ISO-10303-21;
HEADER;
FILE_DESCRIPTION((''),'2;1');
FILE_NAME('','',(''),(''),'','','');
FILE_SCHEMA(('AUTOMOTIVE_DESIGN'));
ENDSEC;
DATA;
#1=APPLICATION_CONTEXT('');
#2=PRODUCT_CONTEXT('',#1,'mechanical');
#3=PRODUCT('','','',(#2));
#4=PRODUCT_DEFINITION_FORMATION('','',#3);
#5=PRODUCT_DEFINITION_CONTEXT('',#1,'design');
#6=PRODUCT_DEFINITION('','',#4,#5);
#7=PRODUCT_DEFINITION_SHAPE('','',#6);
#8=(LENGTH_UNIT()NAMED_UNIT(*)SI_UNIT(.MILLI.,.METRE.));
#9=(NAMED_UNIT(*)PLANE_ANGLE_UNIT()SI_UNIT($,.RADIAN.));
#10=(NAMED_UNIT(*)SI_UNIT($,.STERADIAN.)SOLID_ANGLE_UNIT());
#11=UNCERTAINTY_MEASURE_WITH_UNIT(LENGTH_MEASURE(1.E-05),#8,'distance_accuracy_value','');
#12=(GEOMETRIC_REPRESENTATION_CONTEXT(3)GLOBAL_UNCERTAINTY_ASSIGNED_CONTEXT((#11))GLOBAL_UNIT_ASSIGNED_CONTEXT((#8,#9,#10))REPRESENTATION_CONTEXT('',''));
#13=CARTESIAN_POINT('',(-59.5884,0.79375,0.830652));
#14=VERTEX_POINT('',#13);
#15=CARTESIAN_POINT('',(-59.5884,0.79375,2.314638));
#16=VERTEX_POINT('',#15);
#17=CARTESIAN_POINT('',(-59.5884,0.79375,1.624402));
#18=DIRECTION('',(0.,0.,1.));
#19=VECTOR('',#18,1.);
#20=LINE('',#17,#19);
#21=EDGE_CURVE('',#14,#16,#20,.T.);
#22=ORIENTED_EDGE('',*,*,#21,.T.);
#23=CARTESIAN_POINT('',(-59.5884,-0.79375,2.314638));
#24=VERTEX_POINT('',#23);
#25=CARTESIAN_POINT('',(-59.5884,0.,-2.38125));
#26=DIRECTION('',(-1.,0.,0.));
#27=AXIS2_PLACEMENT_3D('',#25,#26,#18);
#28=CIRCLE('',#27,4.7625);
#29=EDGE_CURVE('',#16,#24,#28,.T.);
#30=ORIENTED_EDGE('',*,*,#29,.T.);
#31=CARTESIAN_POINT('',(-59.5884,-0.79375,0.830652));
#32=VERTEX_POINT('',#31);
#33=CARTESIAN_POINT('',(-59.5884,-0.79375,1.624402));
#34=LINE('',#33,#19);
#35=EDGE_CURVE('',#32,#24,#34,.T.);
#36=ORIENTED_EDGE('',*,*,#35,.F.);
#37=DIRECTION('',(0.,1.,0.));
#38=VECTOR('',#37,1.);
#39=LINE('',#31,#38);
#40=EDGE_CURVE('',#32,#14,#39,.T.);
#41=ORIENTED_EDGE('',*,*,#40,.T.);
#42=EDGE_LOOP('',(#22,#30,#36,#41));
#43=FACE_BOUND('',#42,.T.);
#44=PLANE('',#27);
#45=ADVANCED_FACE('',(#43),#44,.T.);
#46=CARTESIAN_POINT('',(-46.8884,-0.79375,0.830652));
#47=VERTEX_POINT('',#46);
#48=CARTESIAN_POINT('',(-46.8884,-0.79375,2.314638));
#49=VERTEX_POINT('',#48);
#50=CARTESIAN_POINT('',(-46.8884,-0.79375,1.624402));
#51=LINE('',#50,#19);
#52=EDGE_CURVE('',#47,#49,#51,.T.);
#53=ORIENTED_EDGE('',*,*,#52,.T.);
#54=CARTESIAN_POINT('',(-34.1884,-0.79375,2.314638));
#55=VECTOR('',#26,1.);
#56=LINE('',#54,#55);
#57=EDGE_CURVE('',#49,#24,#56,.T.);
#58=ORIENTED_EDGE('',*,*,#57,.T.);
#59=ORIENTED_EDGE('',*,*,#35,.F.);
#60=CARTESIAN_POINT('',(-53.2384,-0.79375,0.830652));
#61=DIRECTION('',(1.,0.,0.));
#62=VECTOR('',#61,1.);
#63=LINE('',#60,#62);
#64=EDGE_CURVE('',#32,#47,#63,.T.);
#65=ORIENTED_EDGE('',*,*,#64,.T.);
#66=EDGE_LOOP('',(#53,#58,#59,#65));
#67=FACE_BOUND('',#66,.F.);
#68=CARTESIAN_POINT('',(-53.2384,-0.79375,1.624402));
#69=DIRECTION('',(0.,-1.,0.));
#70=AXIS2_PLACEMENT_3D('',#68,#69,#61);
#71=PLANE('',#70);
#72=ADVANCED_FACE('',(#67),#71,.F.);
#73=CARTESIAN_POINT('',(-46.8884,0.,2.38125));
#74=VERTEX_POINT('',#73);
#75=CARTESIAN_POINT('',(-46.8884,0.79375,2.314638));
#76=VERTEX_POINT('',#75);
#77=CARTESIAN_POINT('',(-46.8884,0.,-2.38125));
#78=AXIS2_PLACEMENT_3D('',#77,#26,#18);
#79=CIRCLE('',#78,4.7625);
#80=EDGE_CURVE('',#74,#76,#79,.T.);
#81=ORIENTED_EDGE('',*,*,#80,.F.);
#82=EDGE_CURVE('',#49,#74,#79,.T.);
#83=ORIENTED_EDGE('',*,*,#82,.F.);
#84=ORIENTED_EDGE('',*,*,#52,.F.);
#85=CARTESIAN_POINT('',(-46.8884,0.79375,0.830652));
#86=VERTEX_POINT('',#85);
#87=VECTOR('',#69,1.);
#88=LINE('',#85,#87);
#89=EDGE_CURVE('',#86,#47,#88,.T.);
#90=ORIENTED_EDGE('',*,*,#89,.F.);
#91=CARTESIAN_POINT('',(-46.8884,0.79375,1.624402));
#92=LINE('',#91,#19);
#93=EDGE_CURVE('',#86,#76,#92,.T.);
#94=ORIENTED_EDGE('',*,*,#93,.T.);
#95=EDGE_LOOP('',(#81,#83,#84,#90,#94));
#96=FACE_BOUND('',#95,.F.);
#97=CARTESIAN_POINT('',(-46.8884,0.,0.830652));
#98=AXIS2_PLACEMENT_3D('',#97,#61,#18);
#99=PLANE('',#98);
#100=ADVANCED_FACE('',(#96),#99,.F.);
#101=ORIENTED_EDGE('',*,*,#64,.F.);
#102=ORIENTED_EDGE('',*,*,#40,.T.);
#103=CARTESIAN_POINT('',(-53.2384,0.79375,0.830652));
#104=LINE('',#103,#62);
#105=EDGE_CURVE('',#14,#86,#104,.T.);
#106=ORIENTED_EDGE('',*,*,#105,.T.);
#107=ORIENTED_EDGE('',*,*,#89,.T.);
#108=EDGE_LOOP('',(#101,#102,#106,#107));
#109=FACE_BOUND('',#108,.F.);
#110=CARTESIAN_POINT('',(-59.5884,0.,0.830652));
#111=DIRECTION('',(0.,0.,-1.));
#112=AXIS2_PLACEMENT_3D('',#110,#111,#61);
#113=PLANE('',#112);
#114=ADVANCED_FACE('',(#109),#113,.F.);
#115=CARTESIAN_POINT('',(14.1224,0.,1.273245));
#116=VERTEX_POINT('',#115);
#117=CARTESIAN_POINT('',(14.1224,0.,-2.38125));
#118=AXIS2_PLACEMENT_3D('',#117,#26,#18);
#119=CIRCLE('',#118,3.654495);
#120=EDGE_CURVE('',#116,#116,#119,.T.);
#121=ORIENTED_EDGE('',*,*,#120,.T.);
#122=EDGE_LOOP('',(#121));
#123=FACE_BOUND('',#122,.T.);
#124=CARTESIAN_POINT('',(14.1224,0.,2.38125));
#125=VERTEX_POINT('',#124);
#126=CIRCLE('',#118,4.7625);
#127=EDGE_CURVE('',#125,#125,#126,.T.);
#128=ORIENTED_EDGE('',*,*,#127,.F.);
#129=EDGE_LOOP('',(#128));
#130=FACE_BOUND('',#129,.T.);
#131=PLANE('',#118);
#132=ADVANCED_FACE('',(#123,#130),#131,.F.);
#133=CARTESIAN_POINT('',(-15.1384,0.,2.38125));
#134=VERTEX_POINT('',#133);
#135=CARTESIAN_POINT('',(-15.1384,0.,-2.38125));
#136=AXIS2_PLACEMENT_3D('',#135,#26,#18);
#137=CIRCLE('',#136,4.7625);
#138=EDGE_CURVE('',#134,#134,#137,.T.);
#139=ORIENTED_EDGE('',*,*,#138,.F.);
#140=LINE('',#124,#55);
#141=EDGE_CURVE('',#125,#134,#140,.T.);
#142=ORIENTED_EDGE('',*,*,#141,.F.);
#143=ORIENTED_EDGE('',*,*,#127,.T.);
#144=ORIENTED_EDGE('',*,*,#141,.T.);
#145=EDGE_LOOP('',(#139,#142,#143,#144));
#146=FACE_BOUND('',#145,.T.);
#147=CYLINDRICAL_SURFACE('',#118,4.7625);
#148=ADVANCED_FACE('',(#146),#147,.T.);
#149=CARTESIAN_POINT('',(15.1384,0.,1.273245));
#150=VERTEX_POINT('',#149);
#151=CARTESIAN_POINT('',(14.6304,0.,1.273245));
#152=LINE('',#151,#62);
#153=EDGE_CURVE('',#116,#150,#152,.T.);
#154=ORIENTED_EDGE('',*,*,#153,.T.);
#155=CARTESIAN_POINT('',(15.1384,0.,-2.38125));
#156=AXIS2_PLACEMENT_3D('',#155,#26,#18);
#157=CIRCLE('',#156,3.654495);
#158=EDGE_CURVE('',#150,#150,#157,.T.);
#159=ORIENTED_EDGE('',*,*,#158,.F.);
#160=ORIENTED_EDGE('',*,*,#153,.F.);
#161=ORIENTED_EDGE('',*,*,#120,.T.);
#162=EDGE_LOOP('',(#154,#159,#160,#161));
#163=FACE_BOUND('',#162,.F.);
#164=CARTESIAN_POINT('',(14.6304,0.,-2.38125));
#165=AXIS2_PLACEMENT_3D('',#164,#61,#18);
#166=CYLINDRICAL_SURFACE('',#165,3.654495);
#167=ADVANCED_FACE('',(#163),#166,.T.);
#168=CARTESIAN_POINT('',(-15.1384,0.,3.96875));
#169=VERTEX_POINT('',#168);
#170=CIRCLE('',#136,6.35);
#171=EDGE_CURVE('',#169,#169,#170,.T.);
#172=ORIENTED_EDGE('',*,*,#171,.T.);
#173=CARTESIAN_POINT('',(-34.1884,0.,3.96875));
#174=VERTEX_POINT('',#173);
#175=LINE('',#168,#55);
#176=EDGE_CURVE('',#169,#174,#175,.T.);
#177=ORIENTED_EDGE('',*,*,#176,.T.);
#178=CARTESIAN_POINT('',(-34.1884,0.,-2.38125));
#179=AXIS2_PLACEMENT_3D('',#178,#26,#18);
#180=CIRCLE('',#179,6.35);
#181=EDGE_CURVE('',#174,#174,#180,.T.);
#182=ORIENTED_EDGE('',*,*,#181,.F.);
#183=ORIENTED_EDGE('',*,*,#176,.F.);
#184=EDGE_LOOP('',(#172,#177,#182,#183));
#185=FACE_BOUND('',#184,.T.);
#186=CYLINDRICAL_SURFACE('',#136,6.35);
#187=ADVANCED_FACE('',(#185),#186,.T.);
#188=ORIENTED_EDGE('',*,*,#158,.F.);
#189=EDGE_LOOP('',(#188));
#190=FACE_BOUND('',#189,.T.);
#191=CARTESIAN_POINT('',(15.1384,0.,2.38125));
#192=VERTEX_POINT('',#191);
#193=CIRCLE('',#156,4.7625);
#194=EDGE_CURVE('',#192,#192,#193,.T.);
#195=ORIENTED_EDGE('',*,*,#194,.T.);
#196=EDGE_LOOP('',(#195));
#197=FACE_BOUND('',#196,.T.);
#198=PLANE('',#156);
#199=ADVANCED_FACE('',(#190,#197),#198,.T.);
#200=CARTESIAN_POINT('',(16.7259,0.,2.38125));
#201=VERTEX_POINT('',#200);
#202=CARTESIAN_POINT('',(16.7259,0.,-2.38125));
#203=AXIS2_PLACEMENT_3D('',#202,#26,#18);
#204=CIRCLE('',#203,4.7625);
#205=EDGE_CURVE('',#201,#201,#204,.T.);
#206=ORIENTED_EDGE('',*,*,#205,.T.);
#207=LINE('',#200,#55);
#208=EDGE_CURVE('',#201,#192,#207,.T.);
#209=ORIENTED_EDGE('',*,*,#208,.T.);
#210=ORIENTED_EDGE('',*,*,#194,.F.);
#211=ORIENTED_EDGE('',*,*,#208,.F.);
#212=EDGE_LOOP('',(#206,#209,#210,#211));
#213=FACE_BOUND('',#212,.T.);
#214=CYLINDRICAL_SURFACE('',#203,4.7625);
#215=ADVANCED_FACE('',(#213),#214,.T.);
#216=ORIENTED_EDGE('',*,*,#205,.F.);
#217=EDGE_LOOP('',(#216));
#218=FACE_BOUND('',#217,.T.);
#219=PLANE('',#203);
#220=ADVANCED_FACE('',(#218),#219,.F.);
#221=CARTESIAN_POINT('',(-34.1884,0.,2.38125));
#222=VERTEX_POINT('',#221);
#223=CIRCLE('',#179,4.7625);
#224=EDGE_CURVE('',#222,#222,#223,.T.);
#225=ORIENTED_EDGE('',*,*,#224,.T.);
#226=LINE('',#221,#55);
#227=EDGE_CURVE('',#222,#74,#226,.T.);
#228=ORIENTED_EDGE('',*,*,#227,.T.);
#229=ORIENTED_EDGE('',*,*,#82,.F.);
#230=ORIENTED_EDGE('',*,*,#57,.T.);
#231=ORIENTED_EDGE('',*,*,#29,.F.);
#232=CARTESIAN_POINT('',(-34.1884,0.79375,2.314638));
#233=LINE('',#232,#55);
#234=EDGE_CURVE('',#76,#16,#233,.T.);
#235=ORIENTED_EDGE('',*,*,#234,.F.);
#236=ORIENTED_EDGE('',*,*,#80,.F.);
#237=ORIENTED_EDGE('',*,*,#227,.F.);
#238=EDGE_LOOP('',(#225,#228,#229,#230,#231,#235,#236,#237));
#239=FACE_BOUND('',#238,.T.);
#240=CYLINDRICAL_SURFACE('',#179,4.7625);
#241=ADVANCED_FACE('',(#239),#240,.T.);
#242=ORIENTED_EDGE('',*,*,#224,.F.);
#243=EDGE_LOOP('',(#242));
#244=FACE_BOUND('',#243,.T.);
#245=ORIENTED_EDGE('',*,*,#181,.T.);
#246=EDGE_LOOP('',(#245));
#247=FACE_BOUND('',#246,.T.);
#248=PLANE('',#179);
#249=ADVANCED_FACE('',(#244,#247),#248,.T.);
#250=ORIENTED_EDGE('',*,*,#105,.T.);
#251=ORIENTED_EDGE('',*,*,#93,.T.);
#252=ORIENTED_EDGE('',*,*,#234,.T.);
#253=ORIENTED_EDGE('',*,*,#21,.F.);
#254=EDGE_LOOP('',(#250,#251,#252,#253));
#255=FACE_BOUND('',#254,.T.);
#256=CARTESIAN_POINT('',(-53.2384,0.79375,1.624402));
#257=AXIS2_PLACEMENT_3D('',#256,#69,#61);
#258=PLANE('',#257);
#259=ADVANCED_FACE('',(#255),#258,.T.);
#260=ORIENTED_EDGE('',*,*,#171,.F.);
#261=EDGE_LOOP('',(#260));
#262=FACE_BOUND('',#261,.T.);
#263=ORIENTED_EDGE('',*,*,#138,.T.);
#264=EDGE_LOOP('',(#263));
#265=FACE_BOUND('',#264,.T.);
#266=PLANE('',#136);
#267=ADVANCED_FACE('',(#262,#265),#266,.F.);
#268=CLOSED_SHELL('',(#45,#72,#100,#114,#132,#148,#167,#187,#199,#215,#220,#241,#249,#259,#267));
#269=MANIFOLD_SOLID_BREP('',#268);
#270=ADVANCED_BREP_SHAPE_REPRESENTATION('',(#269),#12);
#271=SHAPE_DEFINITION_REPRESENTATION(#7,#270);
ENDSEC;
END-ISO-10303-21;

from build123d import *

# Parameters (mm, degrees)
F0_W          = 6.35
F0_H          = 4.7625
F0_W_2        = 4.5974
F0_W_3        = 1.016
F0_H_2        = 3.6544946585
F2_W          = 12.7
F2_H          = 1.5875
F3_DEPTH      = 0.79375
F3_DEPTH_BACK = 0.79375


with BuildPart() as f1:
    # F0 (on Front) → F1 (revolve)
    with BuildSketch(Plane.XZ):
        Rectangle(F0_W, F0_H)
        with Locations((5.4737, 0)):
            Rectangle(F0_W_2, F0_H)
        with Locations((-5.4737, 0)):
            Rectangle(F0_W_2, F0_H)
        Polygon((14.1224, 2.38125), (7.7724, 2.38125), (7.7724, -2.38125), (14.1224, -2.38125), (14.1224, 1.2732446585), align=None)
        with Locations((-10.9474, 0)):
            Rectangle(F0_W, F0_H)
        with Locations((-14.6304, 0)):
            Rectangle(F0_W_3, F0_H)
        with Locations((14.6304, -0.5540026708)):
            Rectangle(F0_W_3, F0_H_2)
        Polygon((-15.1384, -2.38125), (-15.1384, 2.38125), (-15.1384, 3.96875), (-34.1884, 3.96875), (-34.1884, 2.38125), (-34.1884, -0.79375), (-34.1884, -2.38125), align=None)
        Polygon((15.1384, 1.2732446585), (15.1384, -2.38125), (16.7259, -2.38125), (16.7259, 2.38125), (15.1384, 2.38125), align=None)
        Polygon((-59.5884, -2.38125), (-34.1884, -2.38125), (-34.1884, -0.79375), (-34.1884, 2.38125), (-59.5884, 2.38125), align=None)
    revolve(axis=Axis((0, 0, -2.38125), (-1, 0, 0)))

    # F2 (on Front) → F3 (cut, two sides)
    with BuildSketch(Plane.XZ) as f3_sk:
        with Locations((-53.2384, 1.6244021334)):
            Rectangle(F2_W, F2_H)
    extrude(amount=-F3_DEPTH, mode=Mode.SUBTRACT)
    extrude(f3_sk.sketch, amount=F3_DEPTH_BACK, mode=Mode.SUBTRACT)


solid = f1.part
